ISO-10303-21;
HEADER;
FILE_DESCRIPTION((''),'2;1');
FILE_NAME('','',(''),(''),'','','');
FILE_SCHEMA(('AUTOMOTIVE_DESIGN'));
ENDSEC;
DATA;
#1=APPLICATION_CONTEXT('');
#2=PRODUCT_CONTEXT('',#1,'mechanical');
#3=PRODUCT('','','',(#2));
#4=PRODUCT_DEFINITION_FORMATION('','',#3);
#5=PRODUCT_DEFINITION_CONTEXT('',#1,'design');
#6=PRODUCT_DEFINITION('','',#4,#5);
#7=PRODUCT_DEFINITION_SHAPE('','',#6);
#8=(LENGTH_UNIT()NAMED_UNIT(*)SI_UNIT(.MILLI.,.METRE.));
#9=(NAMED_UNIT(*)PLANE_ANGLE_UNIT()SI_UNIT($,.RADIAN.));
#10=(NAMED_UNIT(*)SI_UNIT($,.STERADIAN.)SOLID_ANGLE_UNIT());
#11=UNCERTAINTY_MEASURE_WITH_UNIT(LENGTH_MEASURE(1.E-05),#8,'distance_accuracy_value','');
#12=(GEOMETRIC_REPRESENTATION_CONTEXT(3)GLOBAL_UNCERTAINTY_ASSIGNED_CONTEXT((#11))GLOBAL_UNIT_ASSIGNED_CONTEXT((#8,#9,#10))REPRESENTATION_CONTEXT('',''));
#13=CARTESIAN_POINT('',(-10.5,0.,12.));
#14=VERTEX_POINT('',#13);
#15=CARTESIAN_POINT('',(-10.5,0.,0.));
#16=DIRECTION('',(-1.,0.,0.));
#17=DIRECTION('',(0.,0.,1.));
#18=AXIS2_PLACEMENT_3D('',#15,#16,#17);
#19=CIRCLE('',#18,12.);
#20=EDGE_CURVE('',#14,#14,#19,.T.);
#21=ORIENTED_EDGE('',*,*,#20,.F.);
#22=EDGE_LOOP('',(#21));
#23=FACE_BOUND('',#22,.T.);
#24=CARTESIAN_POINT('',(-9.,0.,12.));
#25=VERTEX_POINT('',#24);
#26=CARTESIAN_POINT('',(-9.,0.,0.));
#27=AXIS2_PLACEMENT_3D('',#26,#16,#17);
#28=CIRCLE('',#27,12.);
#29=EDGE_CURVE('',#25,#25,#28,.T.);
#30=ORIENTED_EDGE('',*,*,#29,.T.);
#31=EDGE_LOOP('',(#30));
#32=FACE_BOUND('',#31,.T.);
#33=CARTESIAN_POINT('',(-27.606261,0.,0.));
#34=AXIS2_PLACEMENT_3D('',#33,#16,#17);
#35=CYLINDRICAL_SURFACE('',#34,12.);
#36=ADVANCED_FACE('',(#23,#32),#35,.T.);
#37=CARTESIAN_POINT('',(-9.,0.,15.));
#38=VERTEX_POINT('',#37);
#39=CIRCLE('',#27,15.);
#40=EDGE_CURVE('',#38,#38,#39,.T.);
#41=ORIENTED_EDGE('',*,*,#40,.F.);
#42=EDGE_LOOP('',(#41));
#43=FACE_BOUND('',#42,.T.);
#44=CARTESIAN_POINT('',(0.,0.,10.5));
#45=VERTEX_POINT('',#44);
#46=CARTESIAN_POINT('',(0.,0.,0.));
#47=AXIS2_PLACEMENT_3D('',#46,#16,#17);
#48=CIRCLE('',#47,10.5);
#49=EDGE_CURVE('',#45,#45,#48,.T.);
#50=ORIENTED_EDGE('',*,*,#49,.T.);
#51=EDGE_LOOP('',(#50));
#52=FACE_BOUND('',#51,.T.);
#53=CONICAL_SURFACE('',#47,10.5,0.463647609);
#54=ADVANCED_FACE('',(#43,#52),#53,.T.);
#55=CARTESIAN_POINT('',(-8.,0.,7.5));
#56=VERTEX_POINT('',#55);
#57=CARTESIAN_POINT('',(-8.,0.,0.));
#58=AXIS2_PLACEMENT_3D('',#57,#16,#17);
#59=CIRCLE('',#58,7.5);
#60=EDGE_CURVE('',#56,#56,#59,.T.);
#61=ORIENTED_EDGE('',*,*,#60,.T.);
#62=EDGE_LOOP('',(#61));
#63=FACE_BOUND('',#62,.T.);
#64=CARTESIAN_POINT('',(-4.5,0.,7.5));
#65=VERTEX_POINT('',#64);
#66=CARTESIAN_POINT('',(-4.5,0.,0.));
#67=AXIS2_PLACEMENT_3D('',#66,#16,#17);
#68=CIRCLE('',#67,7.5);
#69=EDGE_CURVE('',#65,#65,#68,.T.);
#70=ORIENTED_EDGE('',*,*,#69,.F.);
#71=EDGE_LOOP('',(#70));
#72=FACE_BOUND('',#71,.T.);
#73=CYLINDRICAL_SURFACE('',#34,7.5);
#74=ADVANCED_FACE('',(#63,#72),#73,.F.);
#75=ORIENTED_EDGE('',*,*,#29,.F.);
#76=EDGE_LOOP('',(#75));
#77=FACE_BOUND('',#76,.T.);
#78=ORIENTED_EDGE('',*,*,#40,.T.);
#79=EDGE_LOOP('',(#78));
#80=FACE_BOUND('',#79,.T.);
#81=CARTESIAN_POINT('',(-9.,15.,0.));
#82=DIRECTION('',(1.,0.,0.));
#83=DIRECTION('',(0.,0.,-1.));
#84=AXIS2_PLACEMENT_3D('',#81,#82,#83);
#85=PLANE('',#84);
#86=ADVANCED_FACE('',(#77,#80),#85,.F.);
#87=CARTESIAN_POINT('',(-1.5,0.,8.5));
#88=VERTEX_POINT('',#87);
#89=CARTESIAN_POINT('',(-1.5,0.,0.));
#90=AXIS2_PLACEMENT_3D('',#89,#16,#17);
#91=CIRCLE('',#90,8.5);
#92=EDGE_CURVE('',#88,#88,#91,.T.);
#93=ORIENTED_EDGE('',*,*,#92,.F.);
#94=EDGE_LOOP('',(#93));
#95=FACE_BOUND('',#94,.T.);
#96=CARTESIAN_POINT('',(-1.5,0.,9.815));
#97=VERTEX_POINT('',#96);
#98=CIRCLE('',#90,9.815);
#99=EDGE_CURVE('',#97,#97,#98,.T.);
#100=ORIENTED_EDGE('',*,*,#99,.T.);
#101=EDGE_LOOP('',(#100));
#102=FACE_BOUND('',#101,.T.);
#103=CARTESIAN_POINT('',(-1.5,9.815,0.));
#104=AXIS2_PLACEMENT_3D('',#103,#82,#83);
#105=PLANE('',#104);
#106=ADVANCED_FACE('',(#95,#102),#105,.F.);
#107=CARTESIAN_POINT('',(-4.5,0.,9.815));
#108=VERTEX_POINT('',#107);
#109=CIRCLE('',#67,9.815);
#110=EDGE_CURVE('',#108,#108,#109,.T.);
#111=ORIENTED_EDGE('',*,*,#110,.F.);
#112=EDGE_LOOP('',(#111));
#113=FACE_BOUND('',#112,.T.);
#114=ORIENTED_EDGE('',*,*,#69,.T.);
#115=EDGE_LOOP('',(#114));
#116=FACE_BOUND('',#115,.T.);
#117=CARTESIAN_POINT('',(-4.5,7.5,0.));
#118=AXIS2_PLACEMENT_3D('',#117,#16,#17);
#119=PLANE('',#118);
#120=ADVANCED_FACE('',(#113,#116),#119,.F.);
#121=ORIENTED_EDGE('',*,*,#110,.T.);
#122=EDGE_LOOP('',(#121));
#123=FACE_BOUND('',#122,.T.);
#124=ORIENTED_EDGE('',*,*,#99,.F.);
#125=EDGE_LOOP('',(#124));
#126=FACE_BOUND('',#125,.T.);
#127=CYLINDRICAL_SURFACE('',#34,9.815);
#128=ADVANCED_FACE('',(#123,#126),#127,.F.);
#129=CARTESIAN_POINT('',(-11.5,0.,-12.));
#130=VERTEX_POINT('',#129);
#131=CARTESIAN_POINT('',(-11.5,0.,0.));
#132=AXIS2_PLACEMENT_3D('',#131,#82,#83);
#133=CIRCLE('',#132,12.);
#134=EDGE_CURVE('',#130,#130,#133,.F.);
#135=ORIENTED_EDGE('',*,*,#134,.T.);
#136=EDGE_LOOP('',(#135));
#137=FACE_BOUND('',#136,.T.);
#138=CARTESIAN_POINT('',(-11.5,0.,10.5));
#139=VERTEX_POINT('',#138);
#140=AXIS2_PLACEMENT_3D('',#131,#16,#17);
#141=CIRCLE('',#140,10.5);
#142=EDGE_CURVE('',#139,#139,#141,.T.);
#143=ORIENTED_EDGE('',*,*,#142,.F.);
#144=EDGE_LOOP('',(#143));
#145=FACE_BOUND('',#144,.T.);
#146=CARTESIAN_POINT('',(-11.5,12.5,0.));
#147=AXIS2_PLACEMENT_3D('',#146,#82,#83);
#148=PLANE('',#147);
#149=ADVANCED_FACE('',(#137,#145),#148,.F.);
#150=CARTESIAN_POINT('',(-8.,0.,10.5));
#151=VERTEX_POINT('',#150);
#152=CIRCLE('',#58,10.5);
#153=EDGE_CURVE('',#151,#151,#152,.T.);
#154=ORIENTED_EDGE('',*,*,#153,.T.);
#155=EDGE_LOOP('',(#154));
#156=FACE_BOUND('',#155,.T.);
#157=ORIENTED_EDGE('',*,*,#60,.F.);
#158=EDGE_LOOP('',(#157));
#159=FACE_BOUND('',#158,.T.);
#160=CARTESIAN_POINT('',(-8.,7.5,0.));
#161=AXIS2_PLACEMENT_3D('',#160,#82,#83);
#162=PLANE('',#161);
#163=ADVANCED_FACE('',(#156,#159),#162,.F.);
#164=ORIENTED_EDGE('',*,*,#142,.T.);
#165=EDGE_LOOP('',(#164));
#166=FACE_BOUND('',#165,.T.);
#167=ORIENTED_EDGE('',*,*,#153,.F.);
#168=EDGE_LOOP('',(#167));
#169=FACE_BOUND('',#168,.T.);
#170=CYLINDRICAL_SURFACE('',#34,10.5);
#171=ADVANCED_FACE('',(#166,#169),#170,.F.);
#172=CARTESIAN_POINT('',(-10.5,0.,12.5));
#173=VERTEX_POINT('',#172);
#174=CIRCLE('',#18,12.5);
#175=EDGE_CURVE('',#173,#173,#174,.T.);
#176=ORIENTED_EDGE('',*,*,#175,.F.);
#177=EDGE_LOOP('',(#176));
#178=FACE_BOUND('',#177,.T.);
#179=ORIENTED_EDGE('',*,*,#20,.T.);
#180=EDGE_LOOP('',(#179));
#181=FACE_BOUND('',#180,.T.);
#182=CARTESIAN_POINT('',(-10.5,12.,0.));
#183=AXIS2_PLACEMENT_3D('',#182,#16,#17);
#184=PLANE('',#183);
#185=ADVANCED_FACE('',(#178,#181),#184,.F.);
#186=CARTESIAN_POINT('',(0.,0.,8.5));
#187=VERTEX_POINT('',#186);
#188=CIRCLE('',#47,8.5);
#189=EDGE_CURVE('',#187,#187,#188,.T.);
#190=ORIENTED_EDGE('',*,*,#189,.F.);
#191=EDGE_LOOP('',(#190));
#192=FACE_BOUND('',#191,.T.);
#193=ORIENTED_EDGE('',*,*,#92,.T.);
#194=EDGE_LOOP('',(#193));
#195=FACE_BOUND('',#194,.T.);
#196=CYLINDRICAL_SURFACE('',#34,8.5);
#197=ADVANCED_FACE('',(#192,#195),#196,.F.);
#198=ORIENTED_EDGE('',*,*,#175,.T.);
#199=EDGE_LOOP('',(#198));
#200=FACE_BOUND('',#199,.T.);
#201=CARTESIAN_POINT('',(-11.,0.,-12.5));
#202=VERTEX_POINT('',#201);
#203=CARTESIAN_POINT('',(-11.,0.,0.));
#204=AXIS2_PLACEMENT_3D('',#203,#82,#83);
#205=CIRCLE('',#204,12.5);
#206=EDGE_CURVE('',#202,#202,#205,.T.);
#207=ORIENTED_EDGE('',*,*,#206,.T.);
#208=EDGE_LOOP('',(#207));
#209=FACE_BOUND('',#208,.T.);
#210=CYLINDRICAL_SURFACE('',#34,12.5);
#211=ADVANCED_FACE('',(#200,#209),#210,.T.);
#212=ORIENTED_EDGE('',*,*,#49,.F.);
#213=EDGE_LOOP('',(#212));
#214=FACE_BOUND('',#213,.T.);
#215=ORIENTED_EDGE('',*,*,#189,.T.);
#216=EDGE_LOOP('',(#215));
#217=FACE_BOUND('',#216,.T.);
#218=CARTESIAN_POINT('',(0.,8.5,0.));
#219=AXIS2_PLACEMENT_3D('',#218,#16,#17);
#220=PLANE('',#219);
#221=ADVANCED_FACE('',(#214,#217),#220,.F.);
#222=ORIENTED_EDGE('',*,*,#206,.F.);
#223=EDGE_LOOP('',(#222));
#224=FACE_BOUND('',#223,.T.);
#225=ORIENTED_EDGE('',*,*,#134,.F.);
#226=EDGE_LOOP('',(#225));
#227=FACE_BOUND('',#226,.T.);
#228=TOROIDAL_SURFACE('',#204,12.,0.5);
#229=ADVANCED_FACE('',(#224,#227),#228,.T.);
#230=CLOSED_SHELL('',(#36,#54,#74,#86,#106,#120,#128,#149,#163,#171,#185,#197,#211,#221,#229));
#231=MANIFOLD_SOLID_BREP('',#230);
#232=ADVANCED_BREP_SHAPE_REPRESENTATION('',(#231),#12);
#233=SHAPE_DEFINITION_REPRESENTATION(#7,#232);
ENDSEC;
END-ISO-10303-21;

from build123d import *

# Parameters (mm, degrees)
CONG_1_R = 0.5


with BuildPart() as part:
    # Esquisse1 → Révolution1 (revolve)
    with BuildSketch(Plane.XY, mode=Mode.PRIVATE) as r_volution1_sk:
        Polygon((-8, 7.5), (-4.5, 7.5), (-4.5, 9.815), (-1.5, 9.815), (-1.5, 8.5), (0, 8.5), (0, 10.5), (-9, 15), (-9, 12), (-10.5, 12), (-10.5, 12.5), (-11.5, 12.5), (-11.5, 10.5), (-8, 10.5), align=None)
    revolve(r_volution1_sk.sketch.rotate(Axis((-27.606261023, 0, 0), (1, 0, 0)), 90), axis=Axis((-27.606261023, 0, 0), (1, 0, 0)))  # turned: the seam where the file's is

    # Congé1
    cong_1_edges = [part.edges().sort_by_distance(p)[0] for p in [
        (-11.5, 0, -12.5),
    ]]
    fillet(cong_1_edges, radius=CONG_1_R)


solid = part.part
